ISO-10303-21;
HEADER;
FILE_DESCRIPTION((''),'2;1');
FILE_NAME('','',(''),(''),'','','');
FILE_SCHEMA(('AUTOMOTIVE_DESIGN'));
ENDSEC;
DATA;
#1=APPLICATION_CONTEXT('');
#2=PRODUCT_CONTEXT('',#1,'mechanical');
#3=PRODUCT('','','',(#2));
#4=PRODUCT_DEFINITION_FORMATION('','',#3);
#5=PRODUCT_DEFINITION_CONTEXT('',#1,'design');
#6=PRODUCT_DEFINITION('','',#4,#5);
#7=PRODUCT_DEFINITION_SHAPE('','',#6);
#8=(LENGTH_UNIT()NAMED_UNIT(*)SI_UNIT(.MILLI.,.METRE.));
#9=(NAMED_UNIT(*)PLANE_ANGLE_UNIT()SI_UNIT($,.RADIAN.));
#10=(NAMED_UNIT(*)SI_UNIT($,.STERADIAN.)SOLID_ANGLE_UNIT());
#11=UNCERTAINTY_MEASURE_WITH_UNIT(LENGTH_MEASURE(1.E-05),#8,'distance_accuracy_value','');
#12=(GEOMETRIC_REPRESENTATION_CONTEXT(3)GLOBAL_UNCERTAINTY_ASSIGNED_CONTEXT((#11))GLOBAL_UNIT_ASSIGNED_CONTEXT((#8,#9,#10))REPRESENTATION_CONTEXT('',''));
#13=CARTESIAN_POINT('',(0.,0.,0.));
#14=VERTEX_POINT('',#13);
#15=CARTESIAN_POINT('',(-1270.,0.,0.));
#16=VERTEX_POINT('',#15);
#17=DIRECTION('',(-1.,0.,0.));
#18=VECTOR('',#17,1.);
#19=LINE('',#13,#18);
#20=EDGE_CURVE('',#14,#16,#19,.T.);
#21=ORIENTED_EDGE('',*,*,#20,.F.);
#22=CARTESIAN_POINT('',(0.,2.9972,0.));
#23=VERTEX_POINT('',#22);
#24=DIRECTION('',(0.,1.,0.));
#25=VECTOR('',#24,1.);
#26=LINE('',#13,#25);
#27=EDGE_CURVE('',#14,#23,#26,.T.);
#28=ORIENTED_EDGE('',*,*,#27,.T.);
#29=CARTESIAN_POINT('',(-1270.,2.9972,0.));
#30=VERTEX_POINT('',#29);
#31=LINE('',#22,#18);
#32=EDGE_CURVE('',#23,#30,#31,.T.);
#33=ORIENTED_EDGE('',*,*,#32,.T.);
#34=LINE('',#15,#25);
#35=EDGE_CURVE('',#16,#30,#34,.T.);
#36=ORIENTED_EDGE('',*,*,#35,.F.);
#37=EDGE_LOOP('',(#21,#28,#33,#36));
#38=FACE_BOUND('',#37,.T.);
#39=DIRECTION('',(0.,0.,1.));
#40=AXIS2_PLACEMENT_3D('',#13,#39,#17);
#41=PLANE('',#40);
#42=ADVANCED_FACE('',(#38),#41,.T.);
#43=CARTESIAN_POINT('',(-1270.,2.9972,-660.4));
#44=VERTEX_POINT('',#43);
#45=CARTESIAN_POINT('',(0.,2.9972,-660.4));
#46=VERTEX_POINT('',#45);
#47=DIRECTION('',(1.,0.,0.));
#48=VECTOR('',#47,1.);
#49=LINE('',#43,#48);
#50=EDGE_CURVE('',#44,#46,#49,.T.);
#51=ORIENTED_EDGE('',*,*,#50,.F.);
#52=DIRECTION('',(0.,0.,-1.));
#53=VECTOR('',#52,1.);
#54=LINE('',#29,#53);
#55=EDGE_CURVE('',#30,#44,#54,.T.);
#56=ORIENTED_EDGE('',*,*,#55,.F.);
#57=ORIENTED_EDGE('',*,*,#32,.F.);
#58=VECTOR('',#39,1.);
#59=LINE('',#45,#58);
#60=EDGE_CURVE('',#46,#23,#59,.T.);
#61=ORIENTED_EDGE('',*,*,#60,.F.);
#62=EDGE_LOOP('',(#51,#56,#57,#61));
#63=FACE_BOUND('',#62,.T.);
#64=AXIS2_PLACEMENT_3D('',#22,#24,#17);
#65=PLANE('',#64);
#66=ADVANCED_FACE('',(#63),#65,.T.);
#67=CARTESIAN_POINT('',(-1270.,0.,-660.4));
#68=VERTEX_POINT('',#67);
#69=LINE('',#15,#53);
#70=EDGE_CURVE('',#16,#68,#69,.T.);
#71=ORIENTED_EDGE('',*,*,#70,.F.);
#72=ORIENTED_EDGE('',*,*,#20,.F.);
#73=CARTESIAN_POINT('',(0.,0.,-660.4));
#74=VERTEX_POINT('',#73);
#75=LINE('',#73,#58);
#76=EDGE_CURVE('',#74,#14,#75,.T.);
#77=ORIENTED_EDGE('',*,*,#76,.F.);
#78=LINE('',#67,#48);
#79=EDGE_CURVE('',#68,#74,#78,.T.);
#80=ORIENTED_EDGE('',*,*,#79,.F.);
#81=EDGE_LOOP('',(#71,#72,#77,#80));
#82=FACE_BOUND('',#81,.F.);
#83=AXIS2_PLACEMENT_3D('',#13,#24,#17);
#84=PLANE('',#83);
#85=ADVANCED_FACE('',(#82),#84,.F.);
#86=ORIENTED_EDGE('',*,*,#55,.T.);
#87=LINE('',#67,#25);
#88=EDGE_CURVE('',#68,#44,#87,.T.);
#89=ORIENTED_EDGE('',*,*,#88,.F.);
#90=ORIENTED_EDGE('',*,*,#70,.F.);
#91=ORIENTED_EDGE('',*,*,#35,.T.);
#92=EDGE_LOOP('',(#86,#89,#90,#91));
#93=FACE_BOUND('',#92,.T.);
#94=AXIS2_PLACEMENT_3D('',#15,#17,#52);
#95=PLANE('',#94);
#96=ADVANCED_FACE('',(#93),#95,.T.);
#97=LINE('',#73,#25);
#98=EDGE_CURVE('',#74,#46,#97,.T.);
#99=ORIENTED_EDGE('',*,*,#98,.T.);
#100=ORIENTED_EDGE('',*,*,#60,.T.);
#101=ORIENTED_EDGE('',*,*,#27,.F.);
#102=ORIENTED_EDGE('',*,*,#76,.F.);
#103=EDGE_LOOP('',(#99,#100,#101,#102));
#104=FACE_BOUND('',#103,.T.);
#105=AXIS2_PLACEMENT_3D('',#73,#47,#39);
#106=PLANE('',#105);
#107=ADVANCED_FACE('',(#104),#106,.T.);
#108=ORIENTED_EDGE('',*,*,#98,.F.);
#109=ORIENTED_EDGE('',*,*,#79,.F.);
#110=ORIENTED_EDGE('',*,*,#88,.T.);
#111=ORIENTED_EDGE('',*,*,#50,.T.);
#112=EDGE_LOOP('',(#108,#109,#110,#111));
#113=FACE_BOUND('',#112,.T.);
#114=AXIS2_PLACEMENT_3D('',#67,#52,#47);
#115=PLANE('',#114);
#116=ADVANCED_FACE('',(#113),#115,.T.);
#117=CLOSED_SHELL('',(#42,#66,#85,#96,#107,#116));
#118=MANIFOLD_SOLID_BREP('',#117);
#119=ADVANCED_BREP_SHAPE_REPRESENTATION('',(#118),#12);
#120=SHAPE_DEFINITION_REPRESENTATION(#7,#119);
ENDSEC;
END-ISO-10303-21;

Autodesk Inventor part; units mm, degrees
ref_plane "YZ Plane" through (0, 0, 0) normal (1, 0, 0) x (0, 1, 0)
ref_plane "XZ Plane" through (0, 0, 0) normal (0, 1, 0) x (-1, 0, 0)
ref_plane "XY Plane" through (0, 0, 0) normal (0, 0, 1) x (1, 0, 0)
sketch "Sketch1" plane through (0, 0, 0) normal (0, 1, 0) x (-1, 0, 0)
  line L0 (0, 0) -> (1270, 0)
  line L1 (1270, 0) -> (1270, -660.4)
  line L2 (1270, -660.4) -> (0, -660.4)
  line L3 (0, -660.4) -> (0, 0)
  dimension "d0" = 660.4
  dimension "d1" = 1270
extrude "Extrusion1" add sketch "Sketch1" along normal blind 2.9972
properties part number "Acrylitep95" material "Polycarbonate, Clear"
